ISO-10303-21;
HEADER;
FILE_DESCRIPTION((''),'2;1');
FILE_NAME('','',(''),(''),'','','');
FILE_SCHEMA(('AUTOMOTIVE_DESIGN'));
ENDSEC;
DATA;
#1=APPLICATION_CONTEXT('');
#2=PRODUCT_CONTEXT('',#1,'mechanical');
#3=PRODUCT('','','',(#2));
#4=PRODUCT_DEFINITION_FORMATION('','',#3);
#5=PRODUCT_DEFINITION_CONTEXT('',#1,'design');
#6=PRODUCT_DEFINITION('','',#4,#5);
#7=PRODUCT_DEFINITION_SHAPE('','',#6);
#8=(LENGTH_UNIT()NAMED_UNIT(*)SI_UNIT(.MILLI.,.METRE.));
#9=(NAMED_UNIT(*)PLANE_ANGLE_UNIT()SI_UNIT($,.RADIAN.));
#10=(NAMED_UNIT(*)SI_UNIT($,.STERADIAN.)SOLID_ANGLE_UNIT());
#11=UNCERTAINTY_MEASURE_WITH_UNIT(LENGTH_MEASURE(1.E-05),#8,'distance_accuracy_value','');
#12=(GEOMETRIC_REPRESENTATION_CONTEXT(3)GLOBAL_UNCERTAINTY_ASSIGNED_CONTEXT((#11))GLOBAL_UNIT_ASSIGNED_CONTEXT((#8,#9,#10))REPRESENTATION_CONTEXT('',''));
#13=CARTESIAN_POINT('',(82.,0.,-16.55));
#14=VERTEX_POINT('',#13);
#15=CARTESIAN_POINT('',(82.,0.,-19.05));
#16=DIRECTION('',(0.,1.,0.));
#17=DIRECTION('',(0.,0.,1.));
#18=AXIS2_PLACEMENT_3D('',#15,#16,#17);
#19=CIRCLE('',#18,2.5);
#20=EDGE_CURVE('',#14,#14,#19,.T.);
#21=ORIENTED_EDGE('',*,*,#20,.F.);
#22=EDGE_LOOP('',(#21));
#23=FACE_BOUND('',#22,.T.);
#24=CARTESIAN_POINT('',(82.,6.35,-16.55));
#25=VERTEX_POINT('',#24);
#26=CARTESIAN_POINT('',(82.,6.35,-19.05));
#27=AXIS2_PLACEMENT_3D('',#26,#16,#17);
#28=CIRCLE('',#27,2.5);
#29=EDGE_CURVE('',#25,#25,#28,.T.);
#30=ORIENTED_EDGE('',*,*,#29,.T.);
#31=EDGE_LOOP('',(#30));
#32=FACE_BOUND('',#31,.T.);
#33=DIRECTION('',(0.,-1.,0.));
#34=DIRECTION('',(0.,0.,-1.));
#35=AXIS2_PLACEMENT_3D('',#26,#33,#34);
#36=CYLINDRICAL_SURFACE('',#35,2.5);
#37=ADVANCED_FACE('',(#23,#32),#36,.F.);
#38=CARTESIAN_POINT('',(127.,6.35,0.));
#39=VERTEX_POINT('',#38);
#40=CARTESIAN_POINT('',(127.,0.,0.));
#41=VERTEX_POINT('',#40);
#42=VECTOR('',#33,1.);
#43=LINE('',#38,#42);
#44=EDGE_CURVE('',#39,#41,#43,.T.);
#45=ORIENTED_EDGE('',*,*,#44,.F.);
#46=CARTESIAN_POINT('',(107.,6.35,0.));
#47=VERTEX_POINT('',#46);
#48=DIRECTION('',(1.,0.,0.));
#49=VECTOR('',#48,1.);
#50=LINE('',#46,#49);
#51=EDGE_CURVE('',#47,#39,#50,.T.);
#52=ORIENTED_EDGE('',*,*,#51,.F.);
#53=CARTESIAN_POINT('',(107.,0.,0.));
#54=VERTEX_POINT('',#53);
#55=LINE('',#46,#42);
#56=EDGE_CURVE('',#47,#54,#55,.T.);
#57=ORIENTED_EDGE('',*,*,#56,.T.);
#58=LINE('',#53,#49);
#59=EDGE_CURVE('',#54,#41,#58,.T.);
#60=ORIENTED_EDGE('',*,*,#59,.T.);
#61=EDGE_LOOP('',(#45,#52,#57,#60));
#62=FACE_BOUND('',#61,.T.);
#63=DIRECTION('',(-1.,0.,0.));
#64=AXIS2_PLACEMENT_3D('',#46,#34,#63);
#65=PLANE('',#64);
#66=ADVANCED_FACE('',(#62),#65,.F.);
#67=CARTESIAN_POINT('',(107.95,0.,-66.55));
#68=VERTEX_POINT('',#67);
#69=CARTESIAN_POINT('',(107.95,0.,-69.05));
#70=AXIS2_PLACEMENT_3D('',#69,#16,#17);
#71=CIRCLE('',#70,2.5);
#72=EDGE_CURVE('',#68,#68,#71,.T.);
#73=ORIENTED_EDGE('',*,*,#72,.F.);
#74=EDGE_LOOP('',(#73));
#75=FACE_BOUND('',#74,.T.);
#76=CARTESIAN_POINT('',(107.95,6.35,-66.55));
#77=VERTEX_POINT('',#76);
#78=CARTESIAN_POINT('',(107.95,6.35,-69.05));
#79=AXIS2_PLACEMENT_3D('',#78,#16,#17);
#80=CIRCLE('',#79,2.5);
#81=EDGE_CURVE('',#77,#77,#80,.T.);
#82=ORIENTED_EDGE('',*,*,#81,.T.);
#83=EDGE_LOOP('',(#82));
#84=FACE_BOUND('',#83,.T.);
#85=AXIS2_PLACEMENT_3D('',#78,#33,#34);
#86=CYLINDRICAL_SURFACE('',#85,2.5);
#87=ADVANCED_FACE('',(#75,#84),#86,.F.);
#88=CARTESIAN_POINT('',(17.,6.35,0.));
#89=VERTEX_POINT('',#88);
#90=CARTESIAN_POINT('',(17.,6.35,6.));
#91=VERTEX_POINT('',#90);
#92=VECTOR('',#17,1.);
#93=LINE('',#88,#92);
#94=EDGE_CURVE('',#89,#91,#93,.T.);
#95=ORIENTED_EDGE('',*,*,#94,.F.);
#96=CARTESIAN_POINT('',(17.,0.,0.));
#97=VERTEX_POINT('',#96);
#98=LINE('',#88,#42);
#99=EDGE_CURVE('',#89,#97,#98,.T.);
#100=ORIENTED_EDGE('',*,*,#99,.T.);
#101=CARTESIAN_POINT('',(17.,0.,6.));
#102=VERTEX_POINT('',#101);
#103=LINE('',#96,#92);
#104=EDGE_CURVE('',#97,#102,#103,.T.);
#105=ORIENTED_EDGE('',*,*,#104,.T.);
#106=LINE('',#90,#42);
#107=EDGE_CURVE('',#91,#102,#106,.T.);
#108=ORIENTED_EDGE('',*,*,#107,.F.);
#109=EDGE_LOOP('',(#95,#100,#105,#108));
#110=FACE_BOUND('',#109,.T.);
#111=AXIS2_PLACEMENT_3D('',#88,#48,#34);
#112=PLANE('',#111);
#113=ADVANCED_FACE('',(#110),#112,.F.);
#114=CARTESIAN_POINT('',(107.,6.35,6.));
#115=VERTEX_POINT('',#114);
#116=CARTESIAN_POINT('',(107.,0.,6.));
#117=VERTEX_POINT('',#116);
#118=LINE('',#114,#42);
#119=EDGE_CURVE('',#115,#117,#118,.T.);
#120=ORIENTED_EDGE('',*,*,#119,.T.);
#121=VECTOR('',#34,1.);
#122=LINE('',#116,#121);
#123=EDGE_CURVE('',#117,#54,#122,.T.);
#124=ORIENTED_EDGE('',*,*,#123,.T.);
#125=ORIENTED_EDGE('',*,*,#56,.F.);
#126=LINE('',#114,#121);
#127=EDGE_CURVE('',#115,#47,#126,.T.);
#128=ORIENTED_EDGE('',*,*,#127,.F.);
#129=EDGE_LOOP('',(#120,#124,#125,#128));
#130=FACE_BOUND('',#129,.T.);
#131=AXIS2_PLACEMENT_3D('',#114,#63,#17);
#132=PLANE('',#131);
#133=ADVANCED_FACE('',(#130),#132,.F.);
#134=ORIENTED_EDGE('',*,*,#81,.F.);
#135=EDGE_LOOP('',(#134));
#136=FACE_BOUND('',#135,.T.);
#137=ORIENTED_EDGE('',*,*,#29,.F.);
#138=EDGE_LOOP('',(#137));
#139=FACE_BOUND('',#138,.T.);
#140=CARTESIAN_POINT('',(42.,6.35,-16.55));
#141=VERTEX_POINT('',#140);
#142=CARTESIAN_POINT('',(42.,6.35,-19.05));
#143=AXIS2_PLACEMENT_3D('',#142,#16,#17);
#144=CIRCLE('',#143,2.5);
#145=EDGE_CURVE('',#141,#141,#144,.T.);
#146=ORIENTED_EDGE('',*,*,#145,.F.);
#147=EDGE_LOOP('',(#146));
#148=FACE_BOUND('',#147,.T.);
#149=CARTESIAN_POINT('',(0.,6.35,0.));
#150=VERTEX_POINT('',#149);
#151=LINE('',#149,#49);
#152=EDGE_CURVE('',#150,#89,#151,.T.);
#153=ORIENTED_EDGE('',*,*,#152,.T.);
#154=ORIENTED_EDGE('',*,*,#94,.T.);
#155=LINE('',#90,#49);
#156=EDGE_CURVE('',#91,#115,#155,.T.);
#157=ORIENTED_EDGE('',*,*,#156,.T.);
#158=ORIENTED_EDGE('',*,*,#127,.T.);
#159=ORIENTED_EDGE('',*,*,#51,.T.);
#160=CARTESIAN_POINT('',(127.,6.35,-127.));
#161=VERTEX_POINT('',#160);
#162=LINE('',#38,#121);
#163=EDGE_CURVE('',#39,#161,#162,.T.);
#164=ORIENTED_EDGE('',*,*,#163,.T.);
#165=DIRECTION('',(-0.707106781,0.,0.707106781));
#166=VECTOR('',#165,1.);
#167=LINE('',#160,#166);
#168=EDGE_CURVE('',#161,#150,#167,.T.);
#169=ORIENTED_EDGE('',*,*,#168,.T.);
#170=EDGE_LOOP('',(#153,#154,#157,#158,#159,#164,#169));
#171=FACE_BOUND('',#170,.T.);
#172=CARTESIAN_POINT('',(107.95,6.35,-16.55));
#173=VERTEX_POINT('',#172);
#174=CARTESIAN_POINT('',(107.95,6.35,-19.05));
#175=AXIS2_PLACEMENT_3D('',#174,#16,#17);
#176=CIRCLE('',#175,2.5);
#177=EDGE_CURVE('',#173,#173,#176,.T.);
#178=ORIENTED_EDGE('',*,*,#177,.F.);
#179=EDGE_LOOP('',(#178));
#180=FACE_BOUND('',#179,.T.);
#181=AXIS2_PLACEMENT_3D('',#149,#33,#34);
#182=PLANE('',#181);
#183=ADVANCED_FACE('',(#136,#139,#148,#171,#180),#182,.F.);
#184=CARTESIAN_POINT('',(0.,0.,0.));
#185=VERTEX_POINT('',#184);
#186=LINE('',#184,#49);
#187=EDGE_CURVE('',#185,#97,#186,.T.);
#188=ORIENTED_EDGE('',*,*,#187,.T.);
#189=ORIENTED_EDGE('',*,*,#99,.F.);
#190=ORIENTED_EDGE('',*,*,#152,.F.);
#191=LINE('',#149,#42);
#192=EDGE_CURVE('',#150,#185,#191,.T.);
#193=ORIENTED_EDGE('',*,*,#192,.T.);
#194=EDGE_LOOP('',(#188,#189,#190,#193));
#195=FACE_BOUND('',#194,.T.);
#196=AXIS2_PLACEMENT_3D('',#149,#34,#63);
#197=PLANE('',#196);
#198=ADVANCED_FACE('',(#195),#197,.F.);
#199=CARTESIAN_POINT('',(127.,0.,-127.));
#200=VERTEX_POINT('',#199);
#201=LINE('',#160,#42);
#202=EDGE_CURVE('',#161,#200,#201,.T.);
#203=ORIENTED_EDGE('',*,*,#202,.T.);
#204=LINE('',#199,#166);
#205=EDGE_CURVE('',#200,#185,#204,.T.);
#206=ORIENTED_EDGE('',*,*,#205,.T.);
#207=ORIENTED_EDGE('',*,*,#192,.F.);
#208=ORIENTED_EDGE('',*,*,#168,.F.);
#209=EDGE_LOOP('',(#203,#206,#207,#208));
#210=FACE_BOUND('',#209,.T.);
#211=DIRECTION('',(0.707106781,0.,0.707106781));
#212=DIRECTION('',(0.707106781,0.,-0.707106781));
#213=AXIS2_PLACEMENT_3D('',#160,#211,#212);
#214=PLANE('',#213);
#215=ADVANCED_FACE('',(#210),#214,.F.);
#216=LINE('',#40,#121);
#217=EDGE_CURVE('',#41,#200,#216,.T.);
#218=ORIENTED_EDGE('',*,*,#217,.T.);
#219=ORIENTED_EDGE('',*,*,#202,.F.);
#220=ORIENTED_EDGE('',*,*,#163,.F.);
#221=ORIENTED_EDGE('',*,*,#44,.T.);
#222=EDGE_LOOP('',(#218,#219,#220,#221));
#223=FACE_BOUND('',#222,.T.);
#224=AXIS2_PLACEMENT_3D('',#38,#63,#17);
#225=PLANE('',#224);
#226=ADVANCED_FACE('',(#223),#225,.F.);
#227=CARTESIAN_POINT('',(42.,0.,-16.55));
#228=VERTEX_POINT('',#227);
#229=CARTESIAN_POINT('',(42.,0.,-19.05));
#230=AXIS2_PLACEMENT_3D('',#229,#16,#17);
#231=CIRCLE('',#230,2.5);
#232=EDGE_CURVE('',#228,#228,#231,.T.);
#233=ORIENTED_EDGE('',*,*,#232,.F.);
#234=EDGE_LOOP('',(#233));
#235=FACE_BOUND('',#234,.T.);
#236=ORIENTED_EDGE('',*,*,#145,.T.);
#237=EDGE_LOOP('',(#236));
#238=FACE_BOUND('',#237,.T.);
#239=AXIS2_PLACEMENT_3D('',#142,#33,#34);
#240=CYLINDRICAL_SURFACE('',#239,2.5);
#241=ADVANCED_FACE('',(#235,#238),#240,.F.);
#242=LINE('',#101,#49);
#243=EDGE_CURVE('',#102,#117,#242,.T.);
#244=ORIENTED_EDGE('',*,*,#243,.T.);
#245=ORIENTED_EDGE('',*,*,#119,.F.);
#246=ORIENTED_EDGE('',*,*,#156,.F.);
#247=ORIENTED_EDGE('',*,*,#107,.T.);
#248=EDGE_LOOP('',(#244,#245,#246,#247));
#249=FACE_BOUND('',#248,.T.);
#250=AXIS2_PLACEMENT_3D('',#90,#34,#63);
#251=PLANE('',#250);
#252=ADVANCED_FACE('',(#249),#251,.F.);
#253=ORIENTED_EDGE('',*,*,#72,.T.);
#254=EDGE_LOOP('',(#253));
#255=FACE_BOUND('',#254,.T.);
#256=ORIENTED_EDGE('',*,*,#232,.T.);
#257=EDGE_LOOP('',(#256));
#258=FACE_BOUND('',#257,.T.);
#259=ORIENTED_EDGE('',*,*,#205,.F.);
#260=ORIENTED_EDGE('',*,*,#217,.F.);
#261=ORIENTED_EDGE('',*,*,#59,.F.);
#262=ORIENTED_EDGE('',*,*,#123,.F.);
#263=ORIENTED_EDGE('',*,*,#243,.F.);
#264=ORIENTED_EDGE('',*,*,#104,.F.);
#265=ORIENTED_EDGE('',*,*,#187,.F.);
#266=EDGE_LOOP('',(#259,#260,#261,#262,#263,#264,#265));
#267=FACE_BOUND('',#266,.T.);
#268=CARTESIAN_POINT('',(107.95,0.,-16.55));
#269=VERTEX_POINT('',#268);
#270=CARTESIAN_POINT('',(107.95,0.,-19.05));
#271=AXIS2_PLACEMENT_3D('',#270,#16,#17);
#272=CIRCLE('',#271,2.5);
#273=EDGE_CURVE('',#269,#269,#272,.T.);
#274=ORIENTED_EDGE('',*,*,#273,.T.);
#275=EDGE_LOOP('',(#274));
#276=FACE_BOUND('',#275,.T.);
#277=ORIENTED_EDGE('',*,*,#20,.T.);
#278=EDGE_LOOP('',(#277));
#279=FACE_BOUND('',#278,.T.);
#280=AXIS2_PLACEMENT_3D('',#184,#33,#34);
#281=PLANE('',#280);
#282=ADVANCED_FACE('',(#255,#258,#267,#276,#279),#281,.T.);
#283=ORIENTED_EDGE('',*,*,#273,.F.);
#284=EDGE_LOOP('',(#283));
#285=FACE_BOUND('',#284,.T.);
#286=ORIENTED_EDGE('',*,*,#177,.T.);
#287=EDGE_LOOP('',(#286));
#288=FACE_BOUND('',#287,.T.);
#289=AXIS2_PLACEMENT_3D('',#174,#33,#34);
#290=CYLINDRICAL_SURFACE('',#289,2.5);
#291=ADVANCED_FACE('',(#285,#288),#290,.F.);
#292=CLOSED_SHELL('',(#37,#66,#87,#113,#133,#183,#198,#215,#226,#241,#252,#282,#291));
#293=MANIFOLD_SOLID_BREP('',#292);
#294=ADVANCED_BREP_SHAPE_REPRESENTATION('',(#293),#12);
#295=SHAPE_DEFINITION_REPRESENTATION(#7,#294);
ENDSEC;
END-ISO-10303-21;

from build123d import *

# Parameters (mm, degrees)
SKETCH1_R           = 2.5
BOSS_EXTRUDE1_DEPTH = 6.35


with BuildPart() as part:
    # Sketch1 → Boss-Extrude1 (new body)
    with BuildSketch(Plane(origin=(0, 0, 0), x_dir=(1, 0, 0), z_dir=(0, 1, 0))):
        Polygon((17, -6), (107, -6), (107, 0), (127, 0), (127, 127), (0, 0), (17, 0), align=None)
        with Locations(Location((42, 19.05, 0), (0, 0, 270))):
            Circle(SKETCH1_R, mode=Mode.SUBTRACT)
        with Locations(Location((82, 19.05, 0), (0, 0, 270))):
            Circle(SKETCH1_R, mode=Mode.SUBTRACT)
        with Locations(Location((107.95, 19.05, 0), (0, 0, 270))):
            Circle(SKETCH1_R, mode=Mode.SUBTRACT)
        with Locations(Location((107.95, 69.05, 0), (0, 0, 270))):
            Circle(SKETCH1_R, mode=Mode.SUBTRACT)
    extrude(amount=BOSS_EXTRUDE1_DEPTH)


solid = part.part
